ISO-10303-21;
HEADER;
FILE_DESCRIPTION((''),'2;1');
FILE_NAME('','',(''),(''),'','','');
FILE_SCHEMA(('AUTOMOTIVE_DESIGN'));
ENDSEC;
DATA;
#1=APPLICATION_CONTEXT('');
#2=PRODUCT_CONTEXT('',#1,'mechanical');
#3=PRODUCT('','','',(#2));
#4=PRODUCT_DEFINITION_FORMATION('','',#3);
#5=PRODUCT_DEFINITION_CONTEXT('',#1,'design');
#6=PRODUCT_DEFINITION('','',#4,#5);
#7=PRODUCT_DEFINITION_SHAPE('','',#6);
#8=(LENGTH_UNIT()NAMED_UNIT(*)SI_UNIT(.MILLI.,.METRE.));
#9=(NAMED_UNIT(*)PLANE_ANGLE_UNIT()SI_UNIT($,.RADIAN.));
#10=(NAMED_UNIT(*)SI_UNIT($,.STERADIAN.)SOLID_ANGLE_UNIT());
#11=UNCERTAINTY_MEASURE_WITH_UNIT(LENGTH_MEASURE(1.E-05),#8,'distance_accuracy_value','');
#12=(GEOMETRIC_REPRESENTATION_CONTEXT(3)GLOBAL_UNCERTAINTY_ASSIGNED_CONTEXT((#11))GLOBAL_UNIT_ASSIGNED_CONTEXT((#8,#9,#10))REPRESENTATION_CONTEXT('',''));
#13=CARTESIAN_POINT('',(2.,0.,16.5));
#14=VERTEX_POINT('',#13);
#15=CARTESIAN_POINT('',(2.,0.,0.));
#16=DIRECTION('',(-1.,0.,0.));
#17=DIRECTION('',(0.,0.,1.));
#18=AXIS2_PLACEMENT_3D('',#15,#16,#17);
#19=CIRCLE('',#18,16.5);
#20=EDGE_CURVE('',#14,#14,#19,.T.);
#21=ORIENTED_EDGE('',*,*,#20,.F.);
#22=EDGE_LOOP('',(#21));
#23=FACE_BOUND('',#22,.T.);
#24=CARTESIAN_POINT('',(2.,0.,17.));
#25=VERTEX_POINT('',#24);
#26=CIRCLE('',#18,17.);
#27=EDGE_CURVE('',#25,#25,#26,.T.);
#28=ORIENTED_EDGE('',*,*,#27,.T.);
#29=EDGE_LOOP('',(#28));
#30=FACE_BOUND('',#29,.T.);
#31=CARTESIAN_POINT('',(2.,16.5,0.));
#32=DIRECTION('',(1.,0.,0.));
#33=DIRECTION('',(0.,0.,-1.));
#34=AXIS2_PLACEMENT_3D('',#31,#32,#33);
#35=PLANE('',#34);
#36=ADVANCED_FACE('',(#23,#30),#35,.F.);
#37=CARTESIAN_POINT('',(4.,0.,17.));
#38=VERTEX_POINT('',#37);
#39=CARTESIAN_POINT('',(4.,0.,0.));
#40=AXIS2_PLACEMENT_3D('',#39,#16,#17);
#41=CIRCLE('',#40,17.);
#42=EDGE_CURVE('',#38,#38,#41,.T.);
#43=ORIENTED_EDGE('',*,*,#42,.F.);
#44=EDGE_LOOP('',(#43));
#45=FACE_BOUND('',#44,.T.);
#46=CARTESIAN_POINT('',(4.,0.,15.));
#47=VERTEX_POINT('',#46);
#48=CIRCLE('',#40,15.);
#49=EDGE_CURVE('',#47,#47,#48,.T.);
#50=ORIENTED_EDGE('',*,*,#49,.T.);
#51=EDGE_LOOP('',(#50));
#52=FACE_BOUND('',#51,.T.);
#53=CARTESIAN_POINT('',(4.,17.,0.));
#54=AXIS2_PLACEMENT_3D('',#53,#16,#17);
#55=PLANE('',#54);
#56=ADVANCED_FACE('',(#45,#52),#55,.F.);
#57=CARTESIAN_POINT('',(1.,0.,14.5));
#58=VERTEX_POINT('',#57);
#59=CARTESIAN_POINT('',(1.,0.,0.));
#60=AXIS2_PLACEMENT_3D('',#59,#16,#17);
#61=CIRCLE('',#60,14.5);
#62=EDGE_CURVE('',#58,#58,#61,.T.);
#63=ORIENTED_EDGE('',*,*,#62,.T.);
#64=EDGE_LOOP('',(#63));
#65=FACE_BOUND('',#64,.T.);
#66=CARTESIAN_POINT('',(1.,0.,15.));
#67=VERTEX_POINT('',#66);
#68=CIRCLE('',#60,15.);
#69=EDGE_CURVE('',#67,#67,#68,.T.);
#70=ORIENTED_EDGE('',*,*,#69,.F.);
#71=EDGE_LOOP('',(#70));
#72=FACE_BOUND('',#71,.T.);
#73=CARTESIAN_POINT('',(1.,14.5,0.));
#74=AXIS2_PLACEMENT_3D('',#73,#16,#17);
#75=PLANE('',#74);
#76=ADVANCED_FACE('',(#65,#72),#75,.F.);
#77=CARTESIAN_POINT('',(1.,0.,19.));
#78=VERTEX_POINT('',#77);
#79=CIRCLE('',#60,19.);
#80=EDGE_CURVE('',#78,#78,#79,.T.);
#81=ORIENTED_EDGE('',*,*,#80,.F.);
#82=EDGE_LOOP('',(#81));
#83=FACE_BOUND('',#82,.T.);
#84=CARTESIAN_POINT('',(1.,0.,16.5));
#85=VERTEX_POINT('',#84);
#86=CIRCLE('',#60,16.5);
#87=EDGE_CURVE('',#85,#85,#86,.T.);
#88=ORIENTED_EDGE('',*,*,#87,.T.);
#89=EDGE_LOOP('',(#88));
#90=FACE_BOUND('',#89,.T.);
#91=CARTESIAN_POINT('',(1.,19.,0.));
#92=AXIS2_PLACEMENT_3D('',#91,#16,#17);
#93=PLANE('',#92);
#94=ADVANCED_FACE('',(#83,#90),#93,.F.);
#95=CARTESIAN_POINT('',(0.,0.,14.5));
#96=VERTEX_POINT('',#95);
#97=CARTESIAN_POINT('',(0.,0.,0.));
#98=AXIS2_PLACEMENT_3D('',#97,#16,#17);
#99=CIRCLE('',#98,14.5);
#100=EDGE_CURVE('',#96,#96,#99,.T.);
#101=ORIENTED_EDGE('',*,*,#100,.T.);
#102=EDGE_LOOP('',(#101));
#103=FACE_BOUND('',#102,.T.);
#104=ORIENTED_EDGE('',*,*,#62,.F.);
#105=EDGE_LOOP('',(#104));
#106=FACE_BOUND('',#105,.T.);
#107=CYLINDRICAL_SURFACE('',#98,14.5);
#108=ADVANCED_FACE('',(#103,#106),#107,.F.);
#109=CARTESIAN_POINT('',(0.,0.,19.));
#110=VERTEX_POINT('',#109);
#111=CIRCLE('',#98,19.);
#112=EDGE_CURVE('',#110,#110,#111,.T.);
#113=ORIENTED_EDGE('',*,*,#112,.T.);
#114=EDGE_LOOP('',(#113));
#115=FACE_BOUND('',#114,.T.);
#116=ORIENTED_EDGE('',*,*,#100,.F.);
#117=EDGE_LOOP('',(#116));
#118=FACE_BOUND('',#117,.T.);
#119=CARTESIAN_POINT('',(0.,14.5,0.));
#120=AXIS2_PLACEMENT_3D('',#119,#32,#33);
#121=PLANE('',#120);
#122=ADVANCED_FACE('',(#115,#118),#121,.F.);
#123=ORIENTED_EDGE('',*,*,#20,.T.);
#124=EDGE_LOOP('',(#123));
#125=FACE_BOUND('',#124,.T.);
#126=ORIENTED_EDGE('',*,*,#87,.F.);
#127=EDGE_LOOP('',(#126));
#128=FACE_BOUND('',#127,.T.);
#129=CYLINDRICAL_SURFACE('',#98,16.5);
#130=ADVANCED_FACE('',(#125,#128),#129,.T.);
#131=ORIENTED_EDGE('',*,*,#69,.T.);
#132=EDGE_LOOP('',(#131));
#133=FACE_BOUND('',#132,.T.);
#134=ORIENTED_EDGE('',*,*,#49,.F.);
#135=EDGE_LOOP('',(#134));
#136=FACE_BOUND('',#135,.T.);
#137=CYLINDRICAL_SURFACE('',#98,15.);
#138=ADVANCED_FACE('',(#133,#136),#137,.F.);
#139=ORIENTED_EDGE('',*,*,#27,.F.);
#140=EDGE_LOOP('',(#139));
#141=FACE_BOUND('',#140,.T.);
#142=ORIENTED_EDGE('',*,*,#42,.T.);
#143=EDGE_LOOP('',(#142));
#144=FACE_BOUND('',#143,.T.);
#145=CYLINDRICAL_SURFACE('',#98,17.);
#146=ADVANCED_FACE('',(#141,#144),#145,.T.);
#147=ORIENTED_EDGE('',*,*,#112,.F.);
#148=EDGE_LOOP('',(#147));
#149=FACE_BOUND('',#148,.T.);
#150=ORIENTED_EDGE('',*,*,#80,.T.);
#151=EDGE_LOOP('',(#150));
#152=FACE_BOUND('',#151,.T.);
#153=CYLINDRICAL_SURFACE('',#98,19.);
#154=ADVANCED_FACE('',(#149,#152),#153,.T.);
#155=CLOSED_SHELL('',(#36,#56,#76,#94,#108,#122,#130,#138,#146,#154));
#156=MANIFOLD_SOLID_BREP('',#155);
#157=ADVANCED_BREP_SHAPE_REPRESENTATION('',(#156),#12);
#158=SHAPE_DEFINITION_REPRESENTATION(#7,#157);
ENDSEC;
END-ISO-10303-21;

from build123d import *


with BuildPart() as part:
    # Sketch1 → Revolve1 (revolve)
    with BuildSketch(Plane.XY, mode=Mode.PRIVATE) as revolve1_sk:
        Polygon((0, 19), (1, 19), (1, 16.5), (2, 16.5), (2, 17), (4, 17), (4, 15), (1, 15), (1, 14.5), (0, 14.5), align=None)
    revolve(revolve1_sk.sketch.rotate(Axis((0, 0, 0), (1, 0, 0)), 90), axis=Axis((0, 0, 0), (1, 0, 0)))


solid = part.part
